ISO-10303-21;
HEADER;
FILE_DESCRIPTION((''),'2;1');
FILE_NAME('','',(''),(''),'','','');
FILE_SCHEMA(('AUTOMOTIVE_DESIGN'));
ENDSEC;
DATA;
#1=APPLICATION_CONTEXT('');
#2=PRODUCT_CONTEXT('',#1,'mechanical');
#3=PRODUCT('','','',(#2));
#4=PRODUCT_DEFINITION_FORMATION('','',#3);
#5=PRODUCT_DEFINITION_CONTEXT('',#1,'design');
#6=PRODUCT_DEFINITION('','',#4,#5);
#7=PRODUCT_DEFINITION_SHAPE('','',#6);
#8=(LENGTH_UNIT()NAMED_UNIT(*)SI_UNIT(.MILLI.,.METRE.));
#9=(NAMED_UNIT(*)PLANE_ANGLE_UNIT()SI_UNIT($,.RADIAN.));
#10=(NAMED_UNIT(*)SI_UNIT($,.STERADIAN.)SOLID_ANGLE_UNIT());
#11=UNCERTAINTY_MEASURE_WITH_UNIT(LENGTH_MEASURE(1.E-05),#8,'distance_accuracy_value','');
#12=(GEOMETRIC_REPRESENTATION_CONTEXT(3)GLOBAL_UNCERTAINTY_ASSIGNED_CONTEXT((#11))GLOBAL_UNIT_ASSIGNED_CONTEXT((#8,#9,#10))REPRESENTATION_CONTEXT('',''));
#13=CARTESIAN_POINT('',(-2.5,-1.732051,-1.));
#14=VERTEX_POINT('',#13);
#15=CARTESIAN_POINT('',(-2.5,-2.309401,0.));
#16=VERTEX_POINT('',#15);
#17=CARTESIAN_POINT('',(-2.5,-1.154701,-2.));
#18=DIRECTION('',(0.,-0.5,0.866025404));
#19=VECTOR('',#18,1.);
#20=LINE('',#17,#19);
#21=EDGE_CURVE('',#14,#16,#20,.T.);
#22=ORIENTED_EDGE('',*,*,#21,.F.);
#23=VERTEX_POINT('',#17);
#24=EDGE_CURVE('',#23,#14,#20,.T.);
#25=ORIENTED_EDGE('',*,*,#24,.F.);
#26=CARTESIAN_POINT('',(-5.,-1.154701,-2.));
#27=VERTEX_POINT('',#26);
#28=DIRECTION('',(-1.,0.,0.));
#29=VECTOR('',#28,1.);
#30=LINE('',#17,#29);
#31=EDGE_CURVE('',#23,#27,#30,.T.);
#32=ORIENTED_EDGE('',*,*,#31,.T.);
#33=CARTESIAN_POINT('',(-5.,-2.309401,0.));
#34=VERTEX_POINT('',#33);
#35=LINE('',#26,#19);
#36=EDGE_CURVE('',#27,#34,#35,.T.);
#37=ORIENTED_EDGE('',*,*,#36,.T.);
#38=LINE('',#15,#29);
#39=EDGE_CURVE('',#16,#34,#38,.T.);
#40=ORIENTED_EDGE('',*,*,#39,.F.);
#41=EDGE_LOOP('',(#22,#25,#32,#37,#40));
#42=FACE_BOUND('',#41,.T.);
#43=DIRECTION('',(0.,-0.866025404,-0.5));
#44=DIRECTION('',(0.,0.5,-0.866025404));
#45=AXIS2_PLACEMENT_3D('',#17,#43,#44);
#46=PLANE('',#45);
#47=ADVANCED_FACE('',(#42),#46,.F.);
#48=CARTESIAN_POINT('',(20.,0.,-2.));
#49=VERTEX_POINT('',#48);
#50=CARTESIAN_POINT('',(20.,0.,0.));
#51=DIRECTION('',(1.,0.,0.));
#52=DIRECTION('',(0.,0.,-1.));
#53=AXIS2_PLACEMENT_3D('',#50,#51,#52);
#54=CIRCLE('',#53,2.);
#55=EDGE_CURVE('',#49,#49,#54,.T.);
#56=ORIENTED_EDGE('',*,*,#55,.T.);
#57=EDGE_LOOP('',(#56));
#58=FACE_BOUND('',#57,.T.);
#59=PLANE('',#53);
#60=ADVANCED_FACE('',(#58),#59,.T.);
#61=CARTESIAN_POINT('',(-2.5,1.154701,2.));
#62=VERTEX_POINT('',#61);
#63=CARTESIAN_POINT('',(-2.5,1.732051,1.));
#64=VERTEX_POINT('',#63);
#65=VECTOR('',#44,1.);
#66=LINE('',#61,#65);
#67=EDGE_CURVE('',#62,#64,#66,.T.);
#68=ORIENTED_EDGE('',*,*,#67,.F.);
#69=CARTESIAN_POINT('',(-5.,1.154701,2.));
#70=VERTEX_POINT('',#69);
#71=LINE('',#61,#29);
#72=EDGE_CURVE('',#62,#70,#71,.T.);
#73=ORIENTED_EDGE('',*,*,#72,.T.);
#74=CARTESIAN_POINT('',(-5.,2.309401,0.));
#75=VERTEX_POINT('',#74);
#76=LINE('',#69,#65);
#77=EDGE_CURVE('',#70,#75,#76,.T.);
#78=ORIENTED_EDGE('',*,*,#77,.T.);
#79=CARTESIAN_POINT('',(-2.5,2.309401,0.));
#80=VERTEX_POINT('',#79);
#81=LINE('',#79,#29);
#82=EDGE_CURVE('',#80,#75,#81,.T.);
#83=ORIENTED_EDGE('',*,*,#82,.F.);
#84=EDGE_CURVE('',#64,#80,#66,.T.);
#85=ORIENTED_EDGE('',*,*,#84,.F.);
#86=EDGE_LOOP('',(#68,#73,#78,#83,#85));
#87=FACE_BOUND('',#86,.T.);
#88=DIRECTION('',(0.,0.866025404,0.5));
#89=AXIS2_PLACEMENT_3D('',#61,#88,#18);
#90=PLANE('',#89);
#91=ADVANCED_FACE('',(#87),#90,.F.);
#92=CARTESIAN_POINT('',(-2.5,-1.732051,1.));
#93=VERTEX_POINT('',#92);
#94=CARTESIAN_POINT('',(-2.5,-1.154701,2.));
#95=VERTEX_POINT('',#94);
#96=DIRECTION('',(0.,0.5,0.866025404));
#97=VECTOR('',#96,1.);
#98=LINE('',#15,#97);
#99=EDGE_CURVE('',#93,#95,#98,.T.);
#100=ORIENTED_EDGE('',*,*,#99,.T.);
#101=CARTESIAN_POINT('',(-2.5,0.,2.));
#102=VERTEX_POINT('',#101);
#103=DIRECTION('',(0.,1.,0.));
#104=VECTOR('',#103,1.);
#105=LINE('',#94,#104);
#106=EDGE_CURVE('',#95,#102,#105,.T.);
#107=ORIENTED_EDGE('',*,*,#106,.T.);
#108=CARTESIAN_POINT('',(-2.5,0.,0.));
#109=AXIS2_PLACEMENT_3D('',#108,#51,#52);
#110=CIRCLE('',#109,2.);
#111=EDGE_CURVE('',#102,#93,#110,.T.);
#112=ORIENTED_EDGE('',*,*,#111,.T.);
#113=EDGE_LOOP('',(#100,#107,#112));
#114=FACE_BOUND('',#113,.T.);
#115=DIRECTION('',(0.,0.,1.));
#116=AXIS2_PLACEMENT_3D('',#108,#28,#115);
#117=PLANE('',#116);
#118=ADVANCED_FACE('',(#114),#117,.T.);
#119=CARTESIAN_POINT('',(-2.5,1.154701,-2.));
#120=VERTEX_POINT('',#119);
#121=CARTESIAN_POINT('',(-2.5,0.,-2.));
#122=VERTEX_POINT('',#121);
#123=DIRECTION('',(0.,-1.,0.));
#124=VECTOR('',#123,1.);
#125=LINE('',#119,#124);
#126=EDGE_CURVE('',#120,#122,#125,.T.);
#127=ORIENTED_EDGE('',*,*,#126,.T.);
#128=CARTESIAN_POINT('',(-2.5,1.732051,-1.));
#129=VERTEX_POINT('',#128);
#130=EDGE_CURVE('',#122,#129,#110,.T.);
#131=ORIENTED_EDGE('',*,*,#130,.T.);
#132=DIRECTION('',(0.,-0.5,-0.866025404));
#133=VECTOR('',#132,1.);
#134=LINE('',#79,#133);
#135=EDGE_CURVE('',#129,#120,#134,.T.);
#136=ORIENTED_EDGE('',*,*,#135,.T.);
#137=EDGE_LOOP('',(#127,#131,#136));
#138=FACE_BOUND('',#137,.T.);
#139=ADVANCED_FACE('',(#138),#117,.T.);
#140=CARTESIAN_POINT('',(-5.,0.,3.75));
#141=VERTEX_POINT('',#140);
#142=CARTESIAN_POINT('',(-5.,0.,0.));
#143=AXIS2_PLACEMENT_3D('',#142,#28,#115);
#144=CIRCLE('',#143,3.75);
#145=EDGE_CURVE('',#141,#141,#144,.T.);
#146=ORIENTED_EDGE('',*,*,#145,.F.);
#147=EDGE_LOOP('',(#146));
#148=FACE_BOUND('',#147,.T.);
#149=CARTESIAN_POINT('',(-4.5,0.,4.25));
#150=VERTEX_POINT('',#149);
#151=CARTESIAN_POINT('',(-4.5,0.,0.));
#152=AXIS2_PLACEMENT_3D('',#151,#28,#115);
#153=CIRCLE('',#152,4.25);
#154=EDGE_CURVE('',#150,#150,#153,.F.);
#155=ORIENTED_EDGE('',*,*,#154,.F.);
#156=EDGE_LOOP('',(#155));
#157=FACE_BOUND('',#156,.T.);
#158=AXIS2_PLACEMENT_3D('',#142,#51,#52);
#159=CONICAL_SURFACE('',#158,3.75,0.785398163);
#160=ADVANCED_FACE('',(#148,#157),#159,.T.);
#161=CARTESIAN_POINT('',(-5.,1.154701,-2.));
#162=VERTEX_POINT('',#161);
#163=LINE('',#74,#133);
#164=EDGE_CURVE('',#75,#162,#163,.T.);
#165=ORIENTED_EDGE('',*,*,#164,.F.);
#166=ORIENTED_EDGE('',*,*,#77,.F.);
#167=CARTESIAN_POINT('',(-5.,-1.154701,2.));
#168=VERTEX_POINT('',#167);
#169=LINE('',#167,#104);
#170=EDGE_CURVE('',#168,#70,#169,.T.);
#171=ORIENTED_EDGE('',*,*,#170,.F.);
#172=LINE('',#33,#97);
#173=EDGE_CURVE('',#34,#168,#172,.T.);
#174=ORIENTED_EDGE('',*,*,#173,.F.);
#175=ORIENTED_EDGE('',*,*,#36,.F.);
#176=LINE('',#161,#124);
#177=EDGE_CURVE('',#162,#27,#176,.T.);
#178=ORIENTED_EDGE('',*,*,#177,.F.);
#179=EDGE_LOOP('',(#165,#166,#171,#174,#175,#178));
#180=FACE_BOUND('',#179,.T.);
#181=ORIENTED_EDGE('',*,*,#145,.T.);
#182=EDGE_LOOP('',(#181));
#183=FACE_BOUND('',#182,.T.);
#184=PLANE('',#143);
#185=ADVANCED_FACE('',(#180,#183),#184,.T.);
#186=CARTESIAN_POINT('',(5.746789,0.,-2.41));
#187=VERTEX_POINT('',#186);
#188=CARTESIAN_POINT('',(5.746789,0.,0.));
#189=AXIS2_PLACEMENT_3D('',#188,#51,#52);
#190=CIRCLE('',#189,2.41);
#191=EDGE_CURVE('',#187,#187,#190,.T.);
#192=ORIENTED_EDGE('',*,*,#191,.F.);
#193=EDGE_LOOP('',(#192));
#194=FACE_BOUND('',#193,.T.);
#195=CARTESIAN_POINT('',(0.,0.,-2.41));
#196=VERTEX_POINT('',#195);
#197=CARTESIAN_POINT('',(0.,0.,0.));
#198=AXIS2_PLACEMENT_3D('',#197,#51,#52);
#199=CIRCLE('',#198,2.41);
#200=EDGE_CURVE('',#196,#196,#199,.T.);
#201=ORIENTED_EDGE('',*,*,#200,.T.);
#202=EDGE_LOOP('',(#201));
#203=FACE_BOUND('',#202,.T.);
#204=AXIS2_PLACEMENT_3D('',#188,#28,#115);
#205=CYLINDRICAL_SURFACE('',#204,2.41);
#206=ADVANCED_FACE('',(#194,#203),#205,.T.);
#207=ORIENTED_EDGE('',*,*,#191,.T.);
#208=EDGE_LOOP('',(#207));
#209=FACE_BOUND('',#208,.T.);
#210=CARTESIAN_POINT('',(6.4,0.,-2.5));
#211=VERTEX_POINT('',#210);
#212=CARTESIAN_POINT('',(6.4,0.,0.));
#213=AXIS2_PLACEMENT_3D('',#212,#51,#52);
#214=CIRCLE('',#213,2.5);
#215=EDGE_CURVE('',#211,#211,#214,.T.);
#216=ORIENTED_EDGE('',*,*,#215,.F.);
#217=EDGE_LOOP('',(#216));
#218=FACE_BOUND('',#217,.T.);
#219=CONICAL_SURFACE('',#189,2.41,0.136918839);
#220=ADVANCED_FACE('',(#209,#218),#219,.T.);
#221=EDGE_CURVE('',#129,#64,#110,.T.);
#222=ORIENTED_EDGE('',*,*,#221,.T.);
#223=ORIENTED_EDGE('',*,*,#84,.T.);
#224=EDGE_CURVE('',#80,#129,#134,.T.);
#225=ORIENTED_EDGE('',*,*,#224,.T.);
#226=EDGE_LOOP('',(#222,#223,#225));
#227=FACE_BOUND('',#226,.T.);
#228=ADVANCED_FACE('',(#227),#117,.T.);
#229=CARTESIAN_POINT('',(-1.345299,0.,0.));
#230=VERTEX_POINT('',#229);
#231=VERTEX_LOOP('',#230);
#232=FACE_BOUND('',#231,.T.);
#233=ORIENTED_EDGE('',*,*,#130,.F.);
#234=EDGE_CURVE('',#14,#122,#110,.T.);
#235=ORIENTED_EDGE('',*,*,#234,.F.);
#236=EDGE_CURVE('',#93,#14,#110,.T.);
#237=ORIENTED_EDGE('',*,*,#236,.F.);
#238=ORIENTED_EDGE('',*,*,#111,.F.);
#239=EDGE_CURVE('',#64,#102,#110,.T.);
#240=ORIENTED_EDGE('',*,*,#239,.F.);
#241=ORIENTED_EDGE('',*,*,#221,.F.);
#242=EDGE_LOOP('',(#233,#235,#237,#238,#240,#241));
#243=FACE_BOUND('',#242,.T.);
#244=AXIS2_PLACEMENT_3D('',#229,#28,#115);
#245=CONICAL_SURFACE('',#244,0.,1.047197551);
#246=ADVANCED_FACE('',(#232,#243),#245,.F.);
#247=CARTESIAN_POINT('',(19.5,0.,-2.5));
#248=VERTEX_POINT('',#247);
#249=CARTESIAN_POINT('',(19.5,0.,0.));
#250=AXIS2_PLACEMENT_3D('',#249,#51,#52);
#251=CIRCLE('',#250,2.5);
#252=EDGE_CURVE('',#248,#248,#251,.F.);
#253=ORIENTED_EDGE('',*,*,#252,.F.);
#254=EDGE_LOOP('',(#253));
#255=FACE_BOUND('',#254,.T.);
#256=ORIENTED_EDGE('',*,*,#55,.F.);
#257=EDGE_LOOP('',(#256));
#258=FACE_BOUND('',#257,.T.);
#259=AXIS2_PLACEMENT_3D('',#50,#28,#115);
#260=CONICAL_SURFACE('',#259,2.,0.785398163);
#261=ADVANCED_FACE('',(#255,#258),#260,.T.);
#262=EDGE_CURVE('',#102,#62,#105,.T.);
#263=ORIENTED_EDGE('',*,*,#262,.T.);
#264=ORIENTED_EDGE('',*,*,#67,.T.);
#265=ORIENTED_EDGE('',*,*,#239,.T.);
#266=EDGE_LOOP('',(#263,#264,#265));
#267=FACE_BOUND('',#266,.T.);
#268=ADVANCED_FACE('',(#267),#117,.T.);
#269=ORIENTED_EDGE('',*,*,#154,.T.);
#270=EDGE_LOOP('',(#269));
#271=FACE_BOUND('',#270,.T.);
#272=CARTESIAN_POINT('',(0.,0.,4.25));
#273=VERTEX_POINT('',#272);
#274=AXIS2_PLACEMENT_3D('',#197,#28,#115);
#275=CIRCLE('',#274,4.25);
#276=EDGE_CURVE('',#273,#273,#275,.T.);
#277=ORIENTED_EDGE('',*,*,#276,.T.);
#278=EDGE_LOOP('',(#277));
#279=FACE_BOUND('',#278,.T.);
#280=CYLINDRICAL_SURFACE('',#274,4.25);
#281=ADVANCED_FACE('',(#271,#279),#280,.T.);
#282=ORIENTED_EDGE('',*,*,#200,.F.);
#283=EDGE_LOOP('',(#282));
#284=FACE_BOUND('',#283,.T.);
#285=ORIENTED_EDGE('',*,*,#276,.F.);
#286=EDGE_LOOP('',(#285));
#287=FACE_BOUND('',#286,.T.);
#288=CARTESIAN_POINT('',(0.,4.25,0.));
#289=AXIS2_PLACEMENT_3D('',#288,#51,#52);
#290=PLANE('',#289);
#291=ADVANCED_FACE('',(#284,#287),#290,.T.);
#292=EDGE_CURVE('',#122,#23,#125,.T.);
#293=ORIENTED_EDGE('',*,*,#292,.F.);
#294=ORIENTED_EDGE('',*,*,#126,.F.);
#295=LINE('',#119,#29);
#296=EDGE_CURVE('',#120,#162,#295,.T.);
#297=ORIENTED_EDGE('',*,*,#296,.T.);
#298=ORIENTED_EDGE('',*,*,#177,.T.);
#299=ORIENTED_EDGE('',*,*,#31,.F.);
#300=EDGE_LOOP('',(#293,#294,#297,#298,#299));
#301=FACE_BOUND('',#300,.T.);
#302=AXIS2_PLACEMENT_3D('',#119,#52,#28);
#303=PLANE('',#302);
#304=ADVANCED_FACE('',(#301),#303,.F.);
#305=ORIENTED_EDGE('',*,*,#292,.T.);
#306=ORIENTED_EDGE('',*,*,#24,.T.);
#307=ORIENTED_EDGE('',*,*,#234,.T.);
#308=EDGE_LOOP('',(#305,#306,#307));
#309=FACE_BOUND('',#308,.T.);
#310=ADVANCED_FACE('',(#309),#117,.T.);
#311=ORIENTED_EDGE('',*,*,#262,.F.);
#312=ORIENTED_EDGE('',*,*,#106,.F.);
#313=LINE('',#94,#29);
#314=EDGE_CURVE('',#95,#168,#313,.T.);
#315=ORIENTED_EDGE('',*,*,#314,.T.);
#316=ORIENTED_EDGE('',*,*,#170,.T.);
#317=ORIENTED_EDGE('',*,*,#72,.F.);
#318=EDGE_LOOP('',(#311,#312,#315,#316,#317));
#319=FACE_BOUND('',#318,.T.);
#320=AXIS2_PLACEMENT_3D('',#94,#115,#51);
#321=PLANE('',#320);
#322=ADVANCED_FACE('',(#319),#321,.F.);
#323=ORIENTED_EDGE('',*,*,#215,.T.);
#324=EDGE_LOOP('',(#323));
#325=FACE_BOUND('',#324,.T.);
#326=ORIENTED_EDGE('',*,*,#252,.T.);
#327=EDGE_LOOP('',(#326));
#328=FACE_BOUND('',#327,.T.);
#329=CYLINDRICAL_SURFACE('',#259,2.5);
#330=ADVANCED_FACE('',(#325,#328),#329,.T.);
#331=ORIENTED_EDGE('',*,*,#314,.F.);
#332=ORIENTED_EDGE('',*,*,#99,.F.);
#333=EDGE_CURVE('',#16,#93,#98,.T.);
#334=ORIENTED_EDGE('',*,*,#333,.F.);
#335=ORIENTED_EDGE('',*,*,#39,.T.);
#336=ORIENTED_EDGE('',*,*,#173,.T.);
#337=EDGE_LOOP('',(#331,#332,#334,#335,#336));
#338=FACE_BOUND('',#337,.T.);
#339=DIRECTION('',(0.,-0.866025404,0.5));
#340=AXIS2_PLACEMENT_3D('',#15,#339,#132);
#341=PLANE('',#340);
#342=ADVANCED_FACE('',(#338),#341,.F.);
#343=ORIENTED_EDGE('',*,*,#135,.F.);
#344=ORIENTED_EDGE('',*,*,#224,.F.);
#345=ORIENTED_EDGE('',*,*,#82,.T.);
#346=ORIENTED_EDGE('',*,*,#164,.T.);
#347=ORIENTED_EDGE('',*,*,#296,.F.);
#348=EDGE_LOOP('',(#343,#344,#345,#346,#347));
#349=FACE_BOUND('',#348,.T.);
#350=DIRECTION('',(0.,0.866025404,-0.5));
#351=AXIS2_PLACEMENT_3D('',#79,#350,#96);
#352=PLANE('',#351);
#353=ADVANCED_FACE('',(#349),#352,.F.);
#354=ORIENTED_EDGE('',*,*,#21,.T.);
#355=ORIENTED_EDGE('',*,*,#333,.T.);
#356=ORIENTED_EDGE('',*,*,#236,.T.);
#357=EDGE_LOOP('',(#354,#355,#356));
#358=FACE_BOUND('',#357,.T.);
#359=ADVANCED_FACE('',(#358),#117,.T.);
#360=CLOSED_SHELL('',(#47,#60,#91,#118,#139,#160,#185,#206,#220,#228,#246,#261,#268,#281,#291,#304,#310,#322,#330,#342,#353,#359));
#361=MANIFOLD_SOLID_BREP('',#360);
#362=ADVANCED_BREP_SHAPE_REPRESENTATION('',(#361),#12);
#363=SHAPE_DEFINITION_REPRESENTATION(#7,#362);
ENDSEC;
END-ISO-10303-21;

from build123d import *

# Parameters (mm, degrees)
SKETCH1_W           = 5
SKETCH1_H           = 4.25
SKETCH2_R           = 2.41
BOSS_EXTRUDE1_DEPTH = 5.746788991
SKETCH3_R           = 2.41
BOSS_EXTRUDE2_DEPTH = 0.653211009
BOSS_EXTRUDE2_DRAFT = -7.844871593
SKETCH4_R           = 2.5
BOSS_EXTRUDE3_DEPTH = 13.6
CUT_EXTRUDE1_DEPTH  = 2.5
CHAMFER1_SIZE       = 0.5


with BuildPart() as part:
    # Sketch1 → Revolve1 (revolve)
    with BuildSketch(Plane(origin=(0, 0, 0), x_dir=(-1, 0, 0), z_dir=(0, 0, -1)), mode=Mode.PRIVATE) as revolve1_sk:
        with Locations((2.5, 2.125)):
            Rectangle(SKETCH1_W, SKETCH1_H)
    revolve(revolve1_sk.sketch.rotate(Axis((0, 0, 0), (-1, 0, 0)), 270), axis=Axis((0, 0, 0), (-1, 0, 0)))

    # Sketch2 → Boss-Extrude1 (add)
    with BuildSketch(Plane(origin=(0, 0, 0), x_dir=(0, 0, -1), z_dir=(1, 0, 0))):
        Circle(SKETCH2_R)
    extrude(amount=BOSS_EXTRUDE1_DEPTH)


with BuildPart() as boss_extrude2_tool:
    # Sketch3 → Boss-Extrude2 (with draft: the straight prism first)
    with BuildSketch(Plane(origin=(5.746788991, 0, 0), x_dir=(0, 0, -1), z_dir=(1, 0, 0))):
        Circle(SKETCH3_R)
    extrude(amount=BOSS_EXTRUDE2_DEPTH)
    # Boss-Extrude2: the draft: its side faces are tilted about the plane it starts from
    boss_extrude2_sides = [boss_extrude2_tool.faces().sort_by_distance(p)[0] for p in [
        (6.073394495, 0, 2.41),
    ]]
    draft(boss_extrude2_sides, Plane(origin=(5.746788991, 0, 0), x_dir=(0, 0, -1), z_dir=(1, 0, 0)), BOSS_EXTRUDE2_DRAFT)


with BuildPart() as part_1:
    add(part.part)

    # Boss-Extrude2: add boss_extrude2_tool
    add(boss_extrude2_tool.part)

    # Sketch4 → Boss-Extrude3 (add)
    with BuildSketch(Plane(origin=(6.4, 0, 0), x_dir=(0, 0, -1), z_dir=(1, 0, 0))):
        Circle(SKETCH4_R)
    extrude(amount=BOSS_EXTRUDE3_DEPTH)

    # Sketch5 → Cut-Extrude1 (cut)
    with BuildSketch(Plane.ZY.offset(5)):
        Polygon((-2, -1.154700538), (0, -2.309401077), (2, -1.154700538), (2, 1.154700538), (0, 2.309401077), (-2, 1.154700538), align=None)
    extrude(amount=-CUT_EXTRUDE1_DEPTH, mode=Mode.SUBTRACT)

    # Sketch6 → Cut-Revolve1 (revolve, cut)
    with BuildSketch(Plane.XY, mode=Mode.PRIVATE) as cut_revolve1_sk:
        Polygon((-2.5, 2), (-2.5, 0), (-1.345299462, 0), align=None)
    revolve(cut_revolve1_sk.sketch.rotate(Axis((-2.500025, 0, 0), (1, 0, 0)), 90), axis=Axis((-2.500025, 0, 0), (1, 0, 0)), mode=Mode.SUBTRACT)

    # Chamfer1
    chamfer1_edges = [part_1.edges().sort_by_distance(p)[0] for p in [
        (20, 0, 2.5),
        (-5, 0, -4.25),
    ]]
    chamfer(chamfer1_edges, length=CHAMFER1_SIZE)


solid = part_1.part
